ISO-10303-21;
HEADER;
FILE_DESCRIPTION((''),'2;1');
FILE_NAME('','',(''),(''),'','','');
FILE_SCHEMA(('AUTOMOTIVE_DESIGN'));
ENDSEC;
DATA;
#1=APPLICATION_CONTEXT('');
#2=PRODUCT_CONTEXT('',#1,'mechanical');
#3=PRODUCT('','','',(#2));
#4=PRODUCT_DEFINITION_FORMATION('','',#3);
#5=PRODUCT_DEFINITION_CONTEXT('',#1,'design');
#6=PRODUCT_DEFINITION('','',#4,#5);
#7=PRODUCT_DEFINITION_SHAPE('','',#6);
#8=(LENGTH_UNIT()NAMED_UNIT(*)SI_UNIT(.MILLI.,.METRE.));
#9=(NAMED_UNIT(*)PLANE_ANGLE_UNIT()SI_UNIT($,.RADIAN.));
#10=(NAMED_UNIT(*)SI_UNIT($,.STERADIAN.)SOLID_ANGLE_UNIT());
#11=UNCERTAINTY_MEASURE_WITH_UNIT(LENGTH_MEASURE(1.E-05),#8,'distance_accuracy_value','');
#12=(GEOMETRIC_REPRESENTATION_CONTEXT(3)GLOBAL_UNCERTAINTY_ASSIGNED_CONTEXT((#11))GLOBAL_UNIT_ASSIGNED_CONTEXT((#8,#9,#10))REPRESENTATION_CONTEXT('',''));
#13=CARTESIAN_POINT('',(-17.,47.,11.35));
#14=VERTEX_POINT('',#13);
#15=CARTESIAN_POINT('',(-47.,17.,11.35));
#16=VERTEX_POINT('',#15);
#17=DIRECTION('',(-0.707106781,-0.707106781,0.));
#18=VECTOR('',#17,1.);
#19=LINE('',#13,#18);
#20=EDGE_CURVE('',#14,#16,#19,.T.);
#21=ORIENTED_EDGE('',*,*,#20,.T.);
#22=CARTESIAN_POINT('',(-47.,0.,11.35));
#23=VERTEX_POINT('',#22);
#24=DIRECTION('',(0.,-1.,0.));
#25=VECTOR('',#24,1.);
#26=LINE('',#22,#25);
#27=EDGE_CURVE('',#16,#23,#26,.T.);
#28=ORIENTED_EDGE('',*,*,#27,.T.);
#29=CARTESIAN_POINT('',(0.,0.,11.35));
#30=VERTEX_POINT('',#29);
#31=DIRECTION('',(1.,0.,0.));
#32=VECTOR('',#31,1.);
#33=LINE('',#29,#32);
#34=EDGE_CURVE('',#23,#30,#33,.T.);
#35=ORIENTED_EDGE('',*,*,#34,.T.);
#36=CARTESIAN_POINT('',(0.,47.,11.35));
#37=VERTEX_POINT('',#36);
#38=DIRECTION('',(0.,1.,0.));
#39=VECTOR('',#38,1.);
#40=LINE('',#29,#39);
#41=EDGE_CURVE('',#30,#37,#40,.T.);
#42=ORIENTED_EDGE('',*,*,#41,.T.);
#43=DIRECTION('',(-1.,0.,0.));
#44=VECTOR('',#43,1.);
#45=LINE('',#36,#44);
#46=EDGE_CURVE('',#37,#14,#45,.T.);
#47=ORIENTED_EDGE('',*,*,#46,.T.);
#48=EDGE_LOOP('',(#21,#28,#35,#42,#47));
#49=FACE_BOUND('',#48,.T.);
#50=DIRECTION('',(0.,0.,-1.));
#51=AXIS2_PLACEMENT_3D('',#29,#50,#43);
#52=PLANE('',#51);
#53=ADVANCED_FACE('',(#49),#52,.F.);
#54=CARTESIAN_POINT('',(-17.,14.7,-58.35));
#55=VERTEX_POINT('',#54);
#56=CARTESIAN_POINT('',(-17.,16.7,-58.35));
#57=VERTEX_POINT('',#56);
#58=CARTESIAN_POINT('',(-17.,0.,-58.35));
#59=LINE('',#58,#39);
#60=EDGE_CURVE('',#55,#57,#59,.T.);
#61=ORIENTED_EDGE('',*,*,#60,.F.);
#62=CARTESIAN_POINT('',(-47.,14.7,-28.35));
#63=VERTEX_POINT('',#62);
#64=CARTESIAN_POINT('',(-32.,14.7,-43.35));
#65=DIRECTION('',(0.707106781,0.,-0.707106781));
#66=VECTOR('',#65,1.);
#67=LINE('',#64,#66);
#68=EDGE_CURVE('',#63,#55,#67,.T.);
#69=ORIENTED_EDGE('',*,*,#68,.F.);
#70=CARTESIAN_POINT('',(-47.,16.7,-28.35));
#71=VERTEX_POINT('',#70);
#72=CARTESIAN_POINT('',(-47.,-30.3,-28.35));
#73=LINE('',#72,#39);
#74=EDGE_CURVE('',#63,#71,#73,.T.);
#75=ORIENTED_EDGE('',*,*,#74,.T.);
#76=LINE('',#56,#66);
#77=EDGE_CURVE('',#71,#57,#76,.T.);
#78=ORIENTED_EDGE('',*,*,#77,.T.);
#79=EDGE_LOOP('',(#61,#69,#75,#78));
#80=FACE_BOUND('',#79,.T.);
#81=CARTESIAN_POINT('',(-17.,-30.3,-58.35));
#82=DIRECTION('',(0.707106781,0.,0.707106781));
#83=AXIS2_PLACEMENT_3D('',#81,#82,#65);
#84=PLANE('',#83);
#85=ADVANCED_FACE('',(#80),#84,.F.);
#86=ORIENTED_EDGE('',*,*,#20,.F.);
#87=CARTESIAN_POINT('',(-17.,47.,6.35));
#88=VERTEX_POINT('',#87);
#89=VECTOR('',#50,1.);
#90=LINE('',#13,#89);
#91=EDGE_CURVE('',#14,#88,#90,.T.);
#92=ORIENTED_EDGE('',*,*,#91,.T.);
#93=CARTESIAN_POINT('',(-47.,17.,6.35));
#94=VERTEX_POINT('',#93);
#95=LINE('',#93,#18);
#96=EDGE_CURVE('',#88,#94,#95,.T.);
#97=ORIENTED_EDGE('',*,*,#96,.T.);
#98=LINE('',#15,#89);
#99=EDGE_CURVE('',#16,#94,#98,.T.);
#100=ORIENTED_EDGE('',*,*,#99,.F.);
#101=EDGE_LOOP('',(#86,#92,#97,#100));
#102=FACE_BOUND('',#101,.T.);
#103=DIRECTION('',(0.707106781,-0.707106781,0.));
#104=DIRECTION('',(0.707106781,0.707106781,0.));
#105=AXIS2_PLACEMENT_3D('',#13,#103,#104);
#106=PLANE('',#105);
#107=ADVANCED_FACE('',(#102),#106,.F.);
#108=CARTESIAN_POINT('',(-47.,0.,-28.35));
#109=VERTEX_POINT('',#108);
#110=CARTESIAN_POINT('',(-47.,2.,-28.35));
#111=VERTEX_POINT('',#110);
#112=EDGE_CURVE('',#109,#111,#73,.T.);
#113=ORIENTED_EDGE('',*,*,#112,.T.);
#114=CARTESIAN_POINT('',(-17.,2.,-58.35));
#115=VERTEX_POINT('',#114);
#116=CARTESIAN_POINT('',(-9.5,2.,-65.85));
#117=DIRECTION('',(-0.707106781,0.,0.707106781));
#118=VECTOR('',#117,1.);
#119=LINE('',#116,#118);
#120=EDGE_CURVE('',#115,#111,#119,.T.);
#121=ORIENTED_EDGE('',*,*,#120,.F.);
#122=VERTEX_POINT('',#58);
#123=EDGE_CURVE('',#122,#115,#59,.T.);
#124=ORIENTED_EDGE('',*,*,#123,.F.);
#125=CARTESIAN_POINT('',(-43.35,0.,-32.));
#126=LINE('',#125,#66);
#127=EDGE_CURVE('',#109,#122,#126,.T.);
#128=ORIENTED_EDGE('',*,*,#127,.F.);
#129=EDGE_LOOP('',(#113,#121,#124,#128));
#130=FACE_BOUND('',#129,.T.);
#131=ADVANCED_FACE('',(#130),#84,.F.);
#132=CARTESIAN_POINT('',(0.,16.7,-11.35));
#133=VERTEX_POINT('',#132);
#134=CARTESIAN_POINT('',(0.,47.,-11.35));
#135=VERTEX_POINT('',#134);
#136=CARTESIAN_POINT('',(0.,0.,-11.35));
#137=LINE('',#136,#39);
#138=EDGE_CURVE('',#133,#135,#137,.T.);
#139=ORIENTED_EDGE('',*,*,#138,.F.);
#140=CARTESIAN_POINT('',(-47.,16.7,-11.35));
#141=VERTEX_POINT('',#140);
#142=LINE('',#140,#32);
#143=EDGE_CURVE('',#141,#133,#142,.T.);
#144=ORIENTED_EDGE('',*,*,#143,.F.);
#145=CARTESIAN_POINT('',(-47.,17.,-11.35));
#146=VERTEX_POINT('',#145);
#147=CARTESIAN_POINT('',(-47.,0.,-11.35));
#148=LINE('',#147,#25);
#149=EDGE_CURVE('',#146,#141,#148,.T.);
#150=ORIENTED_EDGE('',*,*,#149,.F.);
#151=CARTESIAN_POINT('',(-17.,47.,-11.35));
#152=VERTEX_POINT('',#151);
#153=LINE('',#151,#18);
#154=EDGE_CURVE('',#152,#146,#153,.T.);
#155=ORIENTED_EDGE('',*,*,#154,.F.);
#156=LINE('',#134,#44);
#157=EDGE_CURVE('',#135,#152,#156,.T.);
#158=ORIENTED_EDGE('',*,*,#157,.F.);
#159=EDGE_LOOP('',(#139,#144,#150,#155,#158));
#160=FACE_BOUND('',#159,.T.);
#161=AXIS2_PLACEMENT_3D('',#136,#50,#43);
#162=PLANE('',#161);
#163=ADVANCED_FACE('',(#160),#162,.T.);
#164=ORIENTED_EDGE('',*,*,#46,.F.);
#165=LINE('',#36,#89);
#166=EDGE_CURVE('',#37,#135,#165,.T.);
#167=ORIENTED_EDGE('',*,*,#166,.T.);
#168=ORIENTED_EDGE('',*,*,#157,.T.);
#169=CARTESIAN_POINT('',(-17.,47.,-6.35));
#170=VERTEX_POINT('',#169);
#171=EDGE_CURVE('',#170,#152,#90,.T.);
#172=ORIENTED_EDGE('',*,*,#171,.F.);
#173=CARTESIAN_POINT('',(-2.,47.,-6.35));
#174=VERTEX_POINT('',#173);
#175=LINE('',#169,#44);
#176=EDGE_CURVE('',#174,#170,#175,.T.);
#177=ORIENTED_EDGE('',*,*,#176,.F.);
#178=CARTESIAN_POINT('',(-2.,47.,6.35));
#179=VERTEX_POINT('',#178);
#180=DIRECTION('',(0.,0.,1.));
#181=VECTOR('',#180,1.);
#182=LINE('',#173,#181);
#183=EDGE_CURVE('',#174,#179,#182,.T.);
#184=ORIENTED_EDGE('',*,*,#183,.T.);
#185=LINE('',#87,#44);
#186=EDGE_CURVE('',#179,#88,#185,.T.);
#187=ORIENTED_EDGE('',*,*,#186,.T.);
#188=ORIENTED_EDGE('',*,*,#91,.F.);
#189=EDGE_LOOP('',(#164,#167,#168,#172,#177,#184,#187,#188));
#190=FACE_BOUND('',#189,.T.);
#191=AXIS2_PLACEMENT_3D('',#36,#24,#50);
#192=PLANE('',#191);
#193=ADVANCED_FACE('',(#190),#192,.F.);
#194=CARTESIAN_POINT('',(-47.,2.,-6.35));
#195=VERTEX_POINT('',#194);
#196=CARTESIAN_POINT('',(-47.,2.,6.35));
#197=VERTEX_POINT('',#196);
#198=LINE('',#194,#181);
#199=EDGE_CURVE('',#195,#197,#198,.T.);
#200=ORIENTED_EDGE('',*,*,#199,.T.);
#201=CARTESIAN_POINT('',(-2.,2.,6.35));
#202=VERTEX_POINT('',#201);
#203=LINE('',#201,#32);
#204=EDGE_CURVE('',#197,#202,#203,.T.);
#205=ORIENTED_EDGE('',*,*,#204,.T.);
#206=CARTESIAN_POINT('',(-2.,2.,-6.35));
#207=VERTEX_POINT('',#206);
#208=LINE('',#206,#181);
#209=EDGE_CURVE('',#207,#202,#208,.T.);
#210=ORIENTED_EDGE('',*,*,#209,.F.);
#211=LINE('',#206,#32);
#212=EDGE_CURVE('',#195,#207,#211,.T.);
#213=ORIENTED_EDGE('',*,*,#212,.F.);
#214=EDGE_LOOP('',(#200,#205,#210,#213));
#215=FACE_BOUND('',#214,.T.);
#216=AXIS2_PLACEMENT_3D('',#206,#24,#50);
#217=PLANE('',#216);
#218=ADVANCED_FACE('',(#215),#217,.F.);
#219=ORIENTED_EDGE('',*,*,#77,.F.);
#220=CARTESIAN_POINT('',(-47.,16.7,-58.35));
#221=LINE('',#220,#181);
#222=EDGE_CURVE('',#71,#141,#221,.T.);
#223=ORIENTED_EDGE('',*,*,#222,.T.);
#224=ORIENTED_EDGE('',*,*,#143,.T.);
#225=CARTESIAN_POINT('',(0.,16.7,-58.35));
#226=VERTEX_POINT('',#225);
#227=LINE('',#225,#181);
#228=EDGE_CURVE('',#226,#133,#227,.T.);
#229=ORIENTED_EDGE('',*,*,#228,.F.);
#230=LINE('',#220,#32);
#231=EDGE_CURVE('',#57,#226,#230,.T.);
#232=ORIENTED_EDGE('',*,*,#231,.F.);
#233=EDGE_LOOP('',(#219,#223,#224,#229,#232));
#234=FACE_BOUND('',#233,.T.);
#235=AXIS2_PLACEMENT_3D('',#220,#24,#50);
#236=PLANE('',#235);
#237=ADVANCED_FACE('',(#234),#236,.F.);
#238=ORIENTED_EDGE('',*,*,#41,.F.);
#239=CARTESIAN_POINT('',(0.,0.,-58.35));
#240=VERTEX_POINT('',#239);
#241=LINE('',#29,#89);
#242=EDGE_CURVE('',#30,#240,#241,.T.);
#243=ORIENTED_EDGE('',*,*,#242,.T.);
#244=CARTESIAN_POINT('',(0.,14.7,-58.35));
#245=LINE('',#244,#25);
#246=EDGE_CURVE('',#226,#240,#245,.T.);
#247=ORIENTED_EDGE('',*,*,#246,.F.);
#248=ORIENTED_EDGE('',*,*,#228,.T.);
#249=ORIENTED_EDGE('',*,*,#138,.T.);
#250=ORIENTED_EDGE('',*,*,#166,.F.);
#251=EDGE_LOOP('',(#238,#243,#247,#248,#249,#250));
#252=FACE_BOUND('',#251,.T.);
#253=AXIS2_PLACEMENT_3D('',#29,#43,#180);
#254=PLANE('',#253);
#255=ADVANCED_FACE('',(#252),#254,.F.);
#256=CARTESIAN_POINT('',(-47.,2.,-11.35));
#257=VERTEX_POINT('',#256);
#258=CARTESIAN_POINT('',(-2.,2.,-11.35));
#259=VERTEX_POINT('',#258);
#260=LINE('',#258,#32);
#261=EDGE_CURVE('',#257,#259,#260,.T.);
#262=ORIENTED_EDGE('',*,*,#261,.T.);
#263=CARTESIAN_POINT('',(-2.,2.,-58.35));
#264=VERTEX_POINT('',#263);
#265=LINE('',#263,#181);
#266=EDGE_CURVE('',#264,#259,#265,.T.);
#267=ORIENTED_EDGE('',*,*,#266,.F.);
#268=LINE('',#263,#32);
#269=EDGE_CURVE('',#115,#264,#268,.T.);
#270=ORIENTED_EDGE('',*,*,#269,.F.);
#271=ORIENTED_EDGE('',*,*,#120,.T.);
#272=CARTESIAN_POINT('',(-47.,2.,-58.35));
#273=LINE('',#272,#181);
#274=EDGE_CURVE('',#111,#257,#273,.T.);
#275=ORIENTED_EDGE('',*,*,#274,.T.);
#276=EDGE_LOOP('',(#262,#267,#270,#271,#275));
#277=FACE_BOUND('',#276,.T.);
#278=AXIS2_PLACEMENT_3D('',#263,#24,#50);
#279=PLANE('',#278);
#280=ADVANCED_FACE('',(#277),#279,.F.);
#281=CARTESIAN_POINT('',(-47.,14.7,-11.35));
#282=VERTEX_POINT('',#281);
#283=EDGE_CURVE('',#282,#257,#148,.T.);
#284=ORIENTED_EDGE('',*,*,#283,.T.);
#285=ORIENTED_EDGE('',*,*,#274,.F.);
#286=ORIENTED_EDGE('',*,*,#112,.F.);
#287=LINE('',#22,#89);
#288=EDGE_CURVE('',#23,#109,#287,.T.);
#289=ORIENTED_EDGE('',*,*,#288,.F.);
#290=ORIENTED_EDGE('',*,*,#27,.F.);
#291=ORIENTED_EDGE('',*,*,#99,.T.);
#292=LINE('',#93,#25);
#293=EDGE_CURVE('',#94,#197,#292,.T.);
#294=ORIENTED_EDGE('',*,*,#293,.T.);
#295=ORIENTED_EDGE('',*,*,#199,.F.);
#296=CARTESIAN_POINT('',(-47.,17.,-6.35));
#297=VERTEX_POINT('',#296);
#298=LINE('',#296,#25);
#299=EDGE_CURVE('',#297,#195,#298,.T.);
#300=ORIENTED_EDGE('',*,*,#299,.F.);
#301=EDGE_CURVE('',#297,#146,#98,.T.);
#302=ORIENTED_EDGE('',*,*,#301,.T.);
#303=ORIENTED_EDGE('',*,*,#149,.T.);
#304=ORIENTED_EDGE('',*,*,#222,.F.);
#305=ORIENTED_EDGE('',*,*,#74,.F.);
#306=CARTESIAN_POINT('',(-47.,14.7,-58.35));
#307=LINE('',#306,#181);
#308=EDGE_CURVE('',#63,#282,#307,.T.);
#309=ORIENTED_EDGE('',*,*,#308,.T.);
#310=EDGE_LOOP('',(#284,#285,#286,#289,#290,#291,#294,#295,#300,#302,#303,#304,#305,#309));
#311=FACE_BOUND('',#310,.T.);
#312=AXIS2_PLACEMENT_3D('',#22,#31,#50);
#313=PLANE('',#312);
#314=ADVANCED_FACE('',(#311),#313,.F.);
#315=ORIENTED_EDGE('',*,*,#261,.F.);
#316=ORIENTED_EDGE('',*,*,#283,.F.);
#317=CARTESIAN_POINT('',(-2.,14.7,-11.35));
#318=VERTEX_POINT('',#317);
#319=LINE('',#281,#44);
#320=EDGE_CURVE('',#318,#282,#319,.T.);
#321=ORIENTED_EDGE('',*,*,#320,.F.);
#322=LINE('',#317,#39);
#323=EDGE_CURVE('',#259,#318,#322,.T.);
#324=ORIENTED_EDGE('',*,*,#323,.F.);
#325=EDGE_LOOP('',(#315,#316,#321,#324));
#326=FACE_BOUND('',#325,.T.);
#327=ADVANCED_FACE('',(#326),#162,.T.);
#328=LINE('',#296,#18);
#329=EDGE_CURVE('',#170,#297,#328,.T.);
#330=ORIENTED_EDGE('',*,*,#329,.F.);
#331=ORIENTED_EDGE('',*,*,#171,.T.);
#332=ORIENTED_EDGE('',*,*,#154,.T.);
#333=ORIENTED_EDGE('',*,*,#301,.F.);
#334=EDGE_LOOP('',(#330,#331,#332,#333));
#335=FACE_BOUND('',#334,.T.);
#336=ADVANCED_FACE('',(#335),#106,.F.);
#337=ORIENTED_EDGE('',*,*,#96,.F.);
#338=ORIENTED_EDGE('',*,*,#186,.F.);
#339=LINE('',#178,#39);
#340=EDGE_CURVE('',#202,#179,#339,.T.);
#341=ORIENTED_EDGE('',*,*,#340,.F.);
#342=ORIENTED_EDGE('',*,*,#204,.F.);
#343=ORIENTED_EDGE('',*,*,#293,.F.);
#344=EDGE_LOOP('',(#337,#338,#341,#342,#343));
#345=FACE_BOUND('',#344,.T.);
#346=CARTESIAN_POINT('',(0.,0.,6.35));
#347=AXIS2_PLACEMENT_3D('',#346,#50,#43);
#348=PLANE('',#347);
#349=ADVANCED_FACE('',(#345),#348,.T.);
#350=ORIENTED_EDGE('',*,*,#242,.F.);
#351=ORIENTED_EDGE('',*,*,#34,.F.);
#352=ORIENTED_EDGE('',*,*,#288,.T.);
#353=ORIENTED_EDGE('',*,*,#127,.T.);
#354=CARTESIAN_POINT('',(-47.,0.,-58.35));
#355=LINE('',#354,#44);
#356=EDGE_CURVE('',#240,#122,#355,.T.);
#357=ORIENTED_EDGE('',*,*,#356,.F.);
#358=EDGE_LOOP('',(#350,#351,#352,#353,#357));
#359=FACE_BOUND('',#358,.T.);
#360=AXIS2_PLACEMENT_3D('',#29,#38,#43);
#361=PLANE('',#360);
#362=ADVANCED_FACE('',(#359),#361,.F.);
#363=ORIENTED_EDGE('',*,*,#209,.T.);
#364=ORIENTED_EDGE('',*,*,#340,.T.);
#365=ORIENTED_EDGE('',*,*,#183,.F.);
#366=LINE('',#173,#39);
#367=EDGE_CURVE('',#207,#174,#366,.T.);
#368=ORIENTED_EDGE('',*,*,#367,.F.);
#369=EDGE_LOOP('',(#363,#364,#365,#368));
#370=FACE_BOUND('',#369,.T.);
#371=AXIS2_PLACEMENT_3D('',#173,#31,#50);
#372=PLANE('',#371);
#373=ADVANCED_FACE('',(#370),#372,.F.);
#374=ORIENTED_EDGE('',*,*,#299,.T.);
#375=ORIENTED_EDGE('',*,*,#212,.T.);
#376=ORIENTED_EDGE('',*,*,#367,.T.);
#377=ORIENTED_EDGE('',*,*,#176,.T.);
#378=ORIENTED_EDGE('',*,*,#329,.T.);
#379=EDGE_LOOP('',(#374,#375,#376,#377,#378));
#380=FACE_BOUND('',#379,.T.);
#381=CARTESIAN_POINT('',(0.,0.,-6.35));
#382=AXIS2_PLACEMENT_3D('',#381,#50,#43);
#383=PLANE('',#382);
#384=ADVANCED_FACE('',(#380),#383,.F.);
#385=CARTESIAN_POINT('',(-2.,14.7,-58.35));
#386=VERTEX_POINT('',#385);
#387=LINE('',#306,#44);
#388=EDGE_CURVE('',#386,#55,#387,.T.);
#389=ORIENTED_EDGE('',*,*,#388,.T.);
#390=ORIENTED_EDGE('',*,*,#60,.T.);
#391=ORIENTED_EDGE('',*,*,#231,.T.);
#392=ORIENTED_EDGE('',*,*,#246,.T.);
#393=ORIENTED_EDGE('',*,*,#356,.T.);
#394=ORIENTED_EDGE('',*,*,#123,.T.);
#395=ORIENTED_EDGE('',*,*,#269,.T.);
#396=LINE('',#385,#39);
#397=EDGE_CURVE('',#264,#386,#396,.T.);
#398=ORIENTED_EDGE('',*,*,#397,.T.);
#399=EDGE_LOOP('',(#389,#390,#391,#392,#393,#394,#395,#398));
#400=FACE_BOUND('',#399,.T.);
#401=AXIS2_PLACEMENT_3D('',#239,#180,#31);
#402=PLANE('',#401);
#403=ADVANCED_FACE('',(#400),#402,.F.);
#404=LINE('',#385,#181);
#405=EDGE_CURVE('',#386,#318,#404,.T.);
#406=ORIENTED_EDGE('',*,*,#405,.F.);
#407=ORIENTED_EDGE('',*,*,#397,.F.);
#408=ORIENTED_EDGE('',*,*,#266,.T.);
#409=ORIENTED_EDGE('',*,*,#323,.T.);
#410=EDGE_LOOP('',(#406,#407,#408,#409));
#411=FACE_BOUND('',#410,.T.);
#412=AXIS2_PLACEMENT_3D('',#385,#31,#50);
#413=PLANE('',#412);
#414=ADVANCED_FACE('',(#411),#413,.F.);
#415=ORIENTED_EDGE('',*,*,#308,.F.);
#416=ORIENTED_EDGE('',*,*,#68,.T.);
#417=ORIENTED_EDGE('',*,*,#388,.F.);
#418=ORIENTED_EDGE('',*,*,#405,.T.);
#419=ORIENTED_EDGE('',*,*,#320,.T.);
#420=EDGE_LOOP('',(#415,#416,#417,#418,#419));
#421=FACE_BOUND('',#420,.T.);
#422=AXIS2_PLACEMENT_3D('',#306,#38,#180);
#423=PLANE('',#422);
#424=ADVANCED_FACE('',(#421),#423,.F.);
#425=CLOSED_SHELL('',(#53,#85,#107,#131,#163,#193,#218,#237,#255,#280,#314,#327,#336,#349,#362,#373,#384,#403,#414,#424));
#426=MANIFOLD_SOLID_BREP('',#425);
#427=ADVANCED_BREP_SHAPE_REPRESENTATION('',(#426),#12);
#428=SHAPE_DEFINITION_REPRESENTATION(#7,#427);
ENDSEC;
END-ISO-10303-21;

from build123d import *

# Parameters (mm, degrees)
BOSS_EXTRUDE1_DEPTH = 11.35
CUT_EXTRUDE1_DEPTH  = 6.35
BOSS_EXTRUDE2_DEPTH = 47
CUT_EXTRUDE2_DEPTH  = 47


with BuildPart() as part:
    # Sketch1 → Boss-Extrude1 (new body, symmetric)
    with BuildSketch(Plane.XY):
        Polygon((0, 0), (0, 47), (-17, 47), (-47, 17), (-47, 0), align=None)
    extrude(amount=BOSS_EXTRUDE1_DEPTH, both=True)

    # Sketch2 → Cut-Extrude1 (cut, symmetric)
    with BuildSketch(Plane.XY):
        Polygon((-47, 17), (-47, 2), (-2, 2), (-2, 47), (-17, 47), align=None)
    extrude(amount=CUT_EXTRUDE1_DEPTH, both=True, mode=Mode.SUBTRACT)

    # Sketch3 → Boss-Extrude2 (add)
    with BuildSketch(Plane(origin=(0, 0, -11.35), x_dir=(-1, 0, 0), z_dir=(0, 0, -1))):
        Polygon((0, 0), (0, 2), (0, 14.7), (0, 16.7), (47, 16.7), (47, 14.7), (2, 14.7), (2, 2), (47, 2), (47, 0), align=None)
    extrude(amount=BOSS_EXTRUDE2_DEPTH)

    # Sketch4 → Cut-Extrude2 (cut)
    with BuildSketch(Plane(origin=(0, 16.7, 0), x_dir=(1, 0, 0), z_dir=(0, 1, 0))):
        Polygon((-17, 58.35), (-47, 28.35), (-47, 58.35), align=None)
    extrude(amount=-CUT_EXTRUDE2_DEPTH, mode=Mode.SUBTRACT)


solid = part.part
